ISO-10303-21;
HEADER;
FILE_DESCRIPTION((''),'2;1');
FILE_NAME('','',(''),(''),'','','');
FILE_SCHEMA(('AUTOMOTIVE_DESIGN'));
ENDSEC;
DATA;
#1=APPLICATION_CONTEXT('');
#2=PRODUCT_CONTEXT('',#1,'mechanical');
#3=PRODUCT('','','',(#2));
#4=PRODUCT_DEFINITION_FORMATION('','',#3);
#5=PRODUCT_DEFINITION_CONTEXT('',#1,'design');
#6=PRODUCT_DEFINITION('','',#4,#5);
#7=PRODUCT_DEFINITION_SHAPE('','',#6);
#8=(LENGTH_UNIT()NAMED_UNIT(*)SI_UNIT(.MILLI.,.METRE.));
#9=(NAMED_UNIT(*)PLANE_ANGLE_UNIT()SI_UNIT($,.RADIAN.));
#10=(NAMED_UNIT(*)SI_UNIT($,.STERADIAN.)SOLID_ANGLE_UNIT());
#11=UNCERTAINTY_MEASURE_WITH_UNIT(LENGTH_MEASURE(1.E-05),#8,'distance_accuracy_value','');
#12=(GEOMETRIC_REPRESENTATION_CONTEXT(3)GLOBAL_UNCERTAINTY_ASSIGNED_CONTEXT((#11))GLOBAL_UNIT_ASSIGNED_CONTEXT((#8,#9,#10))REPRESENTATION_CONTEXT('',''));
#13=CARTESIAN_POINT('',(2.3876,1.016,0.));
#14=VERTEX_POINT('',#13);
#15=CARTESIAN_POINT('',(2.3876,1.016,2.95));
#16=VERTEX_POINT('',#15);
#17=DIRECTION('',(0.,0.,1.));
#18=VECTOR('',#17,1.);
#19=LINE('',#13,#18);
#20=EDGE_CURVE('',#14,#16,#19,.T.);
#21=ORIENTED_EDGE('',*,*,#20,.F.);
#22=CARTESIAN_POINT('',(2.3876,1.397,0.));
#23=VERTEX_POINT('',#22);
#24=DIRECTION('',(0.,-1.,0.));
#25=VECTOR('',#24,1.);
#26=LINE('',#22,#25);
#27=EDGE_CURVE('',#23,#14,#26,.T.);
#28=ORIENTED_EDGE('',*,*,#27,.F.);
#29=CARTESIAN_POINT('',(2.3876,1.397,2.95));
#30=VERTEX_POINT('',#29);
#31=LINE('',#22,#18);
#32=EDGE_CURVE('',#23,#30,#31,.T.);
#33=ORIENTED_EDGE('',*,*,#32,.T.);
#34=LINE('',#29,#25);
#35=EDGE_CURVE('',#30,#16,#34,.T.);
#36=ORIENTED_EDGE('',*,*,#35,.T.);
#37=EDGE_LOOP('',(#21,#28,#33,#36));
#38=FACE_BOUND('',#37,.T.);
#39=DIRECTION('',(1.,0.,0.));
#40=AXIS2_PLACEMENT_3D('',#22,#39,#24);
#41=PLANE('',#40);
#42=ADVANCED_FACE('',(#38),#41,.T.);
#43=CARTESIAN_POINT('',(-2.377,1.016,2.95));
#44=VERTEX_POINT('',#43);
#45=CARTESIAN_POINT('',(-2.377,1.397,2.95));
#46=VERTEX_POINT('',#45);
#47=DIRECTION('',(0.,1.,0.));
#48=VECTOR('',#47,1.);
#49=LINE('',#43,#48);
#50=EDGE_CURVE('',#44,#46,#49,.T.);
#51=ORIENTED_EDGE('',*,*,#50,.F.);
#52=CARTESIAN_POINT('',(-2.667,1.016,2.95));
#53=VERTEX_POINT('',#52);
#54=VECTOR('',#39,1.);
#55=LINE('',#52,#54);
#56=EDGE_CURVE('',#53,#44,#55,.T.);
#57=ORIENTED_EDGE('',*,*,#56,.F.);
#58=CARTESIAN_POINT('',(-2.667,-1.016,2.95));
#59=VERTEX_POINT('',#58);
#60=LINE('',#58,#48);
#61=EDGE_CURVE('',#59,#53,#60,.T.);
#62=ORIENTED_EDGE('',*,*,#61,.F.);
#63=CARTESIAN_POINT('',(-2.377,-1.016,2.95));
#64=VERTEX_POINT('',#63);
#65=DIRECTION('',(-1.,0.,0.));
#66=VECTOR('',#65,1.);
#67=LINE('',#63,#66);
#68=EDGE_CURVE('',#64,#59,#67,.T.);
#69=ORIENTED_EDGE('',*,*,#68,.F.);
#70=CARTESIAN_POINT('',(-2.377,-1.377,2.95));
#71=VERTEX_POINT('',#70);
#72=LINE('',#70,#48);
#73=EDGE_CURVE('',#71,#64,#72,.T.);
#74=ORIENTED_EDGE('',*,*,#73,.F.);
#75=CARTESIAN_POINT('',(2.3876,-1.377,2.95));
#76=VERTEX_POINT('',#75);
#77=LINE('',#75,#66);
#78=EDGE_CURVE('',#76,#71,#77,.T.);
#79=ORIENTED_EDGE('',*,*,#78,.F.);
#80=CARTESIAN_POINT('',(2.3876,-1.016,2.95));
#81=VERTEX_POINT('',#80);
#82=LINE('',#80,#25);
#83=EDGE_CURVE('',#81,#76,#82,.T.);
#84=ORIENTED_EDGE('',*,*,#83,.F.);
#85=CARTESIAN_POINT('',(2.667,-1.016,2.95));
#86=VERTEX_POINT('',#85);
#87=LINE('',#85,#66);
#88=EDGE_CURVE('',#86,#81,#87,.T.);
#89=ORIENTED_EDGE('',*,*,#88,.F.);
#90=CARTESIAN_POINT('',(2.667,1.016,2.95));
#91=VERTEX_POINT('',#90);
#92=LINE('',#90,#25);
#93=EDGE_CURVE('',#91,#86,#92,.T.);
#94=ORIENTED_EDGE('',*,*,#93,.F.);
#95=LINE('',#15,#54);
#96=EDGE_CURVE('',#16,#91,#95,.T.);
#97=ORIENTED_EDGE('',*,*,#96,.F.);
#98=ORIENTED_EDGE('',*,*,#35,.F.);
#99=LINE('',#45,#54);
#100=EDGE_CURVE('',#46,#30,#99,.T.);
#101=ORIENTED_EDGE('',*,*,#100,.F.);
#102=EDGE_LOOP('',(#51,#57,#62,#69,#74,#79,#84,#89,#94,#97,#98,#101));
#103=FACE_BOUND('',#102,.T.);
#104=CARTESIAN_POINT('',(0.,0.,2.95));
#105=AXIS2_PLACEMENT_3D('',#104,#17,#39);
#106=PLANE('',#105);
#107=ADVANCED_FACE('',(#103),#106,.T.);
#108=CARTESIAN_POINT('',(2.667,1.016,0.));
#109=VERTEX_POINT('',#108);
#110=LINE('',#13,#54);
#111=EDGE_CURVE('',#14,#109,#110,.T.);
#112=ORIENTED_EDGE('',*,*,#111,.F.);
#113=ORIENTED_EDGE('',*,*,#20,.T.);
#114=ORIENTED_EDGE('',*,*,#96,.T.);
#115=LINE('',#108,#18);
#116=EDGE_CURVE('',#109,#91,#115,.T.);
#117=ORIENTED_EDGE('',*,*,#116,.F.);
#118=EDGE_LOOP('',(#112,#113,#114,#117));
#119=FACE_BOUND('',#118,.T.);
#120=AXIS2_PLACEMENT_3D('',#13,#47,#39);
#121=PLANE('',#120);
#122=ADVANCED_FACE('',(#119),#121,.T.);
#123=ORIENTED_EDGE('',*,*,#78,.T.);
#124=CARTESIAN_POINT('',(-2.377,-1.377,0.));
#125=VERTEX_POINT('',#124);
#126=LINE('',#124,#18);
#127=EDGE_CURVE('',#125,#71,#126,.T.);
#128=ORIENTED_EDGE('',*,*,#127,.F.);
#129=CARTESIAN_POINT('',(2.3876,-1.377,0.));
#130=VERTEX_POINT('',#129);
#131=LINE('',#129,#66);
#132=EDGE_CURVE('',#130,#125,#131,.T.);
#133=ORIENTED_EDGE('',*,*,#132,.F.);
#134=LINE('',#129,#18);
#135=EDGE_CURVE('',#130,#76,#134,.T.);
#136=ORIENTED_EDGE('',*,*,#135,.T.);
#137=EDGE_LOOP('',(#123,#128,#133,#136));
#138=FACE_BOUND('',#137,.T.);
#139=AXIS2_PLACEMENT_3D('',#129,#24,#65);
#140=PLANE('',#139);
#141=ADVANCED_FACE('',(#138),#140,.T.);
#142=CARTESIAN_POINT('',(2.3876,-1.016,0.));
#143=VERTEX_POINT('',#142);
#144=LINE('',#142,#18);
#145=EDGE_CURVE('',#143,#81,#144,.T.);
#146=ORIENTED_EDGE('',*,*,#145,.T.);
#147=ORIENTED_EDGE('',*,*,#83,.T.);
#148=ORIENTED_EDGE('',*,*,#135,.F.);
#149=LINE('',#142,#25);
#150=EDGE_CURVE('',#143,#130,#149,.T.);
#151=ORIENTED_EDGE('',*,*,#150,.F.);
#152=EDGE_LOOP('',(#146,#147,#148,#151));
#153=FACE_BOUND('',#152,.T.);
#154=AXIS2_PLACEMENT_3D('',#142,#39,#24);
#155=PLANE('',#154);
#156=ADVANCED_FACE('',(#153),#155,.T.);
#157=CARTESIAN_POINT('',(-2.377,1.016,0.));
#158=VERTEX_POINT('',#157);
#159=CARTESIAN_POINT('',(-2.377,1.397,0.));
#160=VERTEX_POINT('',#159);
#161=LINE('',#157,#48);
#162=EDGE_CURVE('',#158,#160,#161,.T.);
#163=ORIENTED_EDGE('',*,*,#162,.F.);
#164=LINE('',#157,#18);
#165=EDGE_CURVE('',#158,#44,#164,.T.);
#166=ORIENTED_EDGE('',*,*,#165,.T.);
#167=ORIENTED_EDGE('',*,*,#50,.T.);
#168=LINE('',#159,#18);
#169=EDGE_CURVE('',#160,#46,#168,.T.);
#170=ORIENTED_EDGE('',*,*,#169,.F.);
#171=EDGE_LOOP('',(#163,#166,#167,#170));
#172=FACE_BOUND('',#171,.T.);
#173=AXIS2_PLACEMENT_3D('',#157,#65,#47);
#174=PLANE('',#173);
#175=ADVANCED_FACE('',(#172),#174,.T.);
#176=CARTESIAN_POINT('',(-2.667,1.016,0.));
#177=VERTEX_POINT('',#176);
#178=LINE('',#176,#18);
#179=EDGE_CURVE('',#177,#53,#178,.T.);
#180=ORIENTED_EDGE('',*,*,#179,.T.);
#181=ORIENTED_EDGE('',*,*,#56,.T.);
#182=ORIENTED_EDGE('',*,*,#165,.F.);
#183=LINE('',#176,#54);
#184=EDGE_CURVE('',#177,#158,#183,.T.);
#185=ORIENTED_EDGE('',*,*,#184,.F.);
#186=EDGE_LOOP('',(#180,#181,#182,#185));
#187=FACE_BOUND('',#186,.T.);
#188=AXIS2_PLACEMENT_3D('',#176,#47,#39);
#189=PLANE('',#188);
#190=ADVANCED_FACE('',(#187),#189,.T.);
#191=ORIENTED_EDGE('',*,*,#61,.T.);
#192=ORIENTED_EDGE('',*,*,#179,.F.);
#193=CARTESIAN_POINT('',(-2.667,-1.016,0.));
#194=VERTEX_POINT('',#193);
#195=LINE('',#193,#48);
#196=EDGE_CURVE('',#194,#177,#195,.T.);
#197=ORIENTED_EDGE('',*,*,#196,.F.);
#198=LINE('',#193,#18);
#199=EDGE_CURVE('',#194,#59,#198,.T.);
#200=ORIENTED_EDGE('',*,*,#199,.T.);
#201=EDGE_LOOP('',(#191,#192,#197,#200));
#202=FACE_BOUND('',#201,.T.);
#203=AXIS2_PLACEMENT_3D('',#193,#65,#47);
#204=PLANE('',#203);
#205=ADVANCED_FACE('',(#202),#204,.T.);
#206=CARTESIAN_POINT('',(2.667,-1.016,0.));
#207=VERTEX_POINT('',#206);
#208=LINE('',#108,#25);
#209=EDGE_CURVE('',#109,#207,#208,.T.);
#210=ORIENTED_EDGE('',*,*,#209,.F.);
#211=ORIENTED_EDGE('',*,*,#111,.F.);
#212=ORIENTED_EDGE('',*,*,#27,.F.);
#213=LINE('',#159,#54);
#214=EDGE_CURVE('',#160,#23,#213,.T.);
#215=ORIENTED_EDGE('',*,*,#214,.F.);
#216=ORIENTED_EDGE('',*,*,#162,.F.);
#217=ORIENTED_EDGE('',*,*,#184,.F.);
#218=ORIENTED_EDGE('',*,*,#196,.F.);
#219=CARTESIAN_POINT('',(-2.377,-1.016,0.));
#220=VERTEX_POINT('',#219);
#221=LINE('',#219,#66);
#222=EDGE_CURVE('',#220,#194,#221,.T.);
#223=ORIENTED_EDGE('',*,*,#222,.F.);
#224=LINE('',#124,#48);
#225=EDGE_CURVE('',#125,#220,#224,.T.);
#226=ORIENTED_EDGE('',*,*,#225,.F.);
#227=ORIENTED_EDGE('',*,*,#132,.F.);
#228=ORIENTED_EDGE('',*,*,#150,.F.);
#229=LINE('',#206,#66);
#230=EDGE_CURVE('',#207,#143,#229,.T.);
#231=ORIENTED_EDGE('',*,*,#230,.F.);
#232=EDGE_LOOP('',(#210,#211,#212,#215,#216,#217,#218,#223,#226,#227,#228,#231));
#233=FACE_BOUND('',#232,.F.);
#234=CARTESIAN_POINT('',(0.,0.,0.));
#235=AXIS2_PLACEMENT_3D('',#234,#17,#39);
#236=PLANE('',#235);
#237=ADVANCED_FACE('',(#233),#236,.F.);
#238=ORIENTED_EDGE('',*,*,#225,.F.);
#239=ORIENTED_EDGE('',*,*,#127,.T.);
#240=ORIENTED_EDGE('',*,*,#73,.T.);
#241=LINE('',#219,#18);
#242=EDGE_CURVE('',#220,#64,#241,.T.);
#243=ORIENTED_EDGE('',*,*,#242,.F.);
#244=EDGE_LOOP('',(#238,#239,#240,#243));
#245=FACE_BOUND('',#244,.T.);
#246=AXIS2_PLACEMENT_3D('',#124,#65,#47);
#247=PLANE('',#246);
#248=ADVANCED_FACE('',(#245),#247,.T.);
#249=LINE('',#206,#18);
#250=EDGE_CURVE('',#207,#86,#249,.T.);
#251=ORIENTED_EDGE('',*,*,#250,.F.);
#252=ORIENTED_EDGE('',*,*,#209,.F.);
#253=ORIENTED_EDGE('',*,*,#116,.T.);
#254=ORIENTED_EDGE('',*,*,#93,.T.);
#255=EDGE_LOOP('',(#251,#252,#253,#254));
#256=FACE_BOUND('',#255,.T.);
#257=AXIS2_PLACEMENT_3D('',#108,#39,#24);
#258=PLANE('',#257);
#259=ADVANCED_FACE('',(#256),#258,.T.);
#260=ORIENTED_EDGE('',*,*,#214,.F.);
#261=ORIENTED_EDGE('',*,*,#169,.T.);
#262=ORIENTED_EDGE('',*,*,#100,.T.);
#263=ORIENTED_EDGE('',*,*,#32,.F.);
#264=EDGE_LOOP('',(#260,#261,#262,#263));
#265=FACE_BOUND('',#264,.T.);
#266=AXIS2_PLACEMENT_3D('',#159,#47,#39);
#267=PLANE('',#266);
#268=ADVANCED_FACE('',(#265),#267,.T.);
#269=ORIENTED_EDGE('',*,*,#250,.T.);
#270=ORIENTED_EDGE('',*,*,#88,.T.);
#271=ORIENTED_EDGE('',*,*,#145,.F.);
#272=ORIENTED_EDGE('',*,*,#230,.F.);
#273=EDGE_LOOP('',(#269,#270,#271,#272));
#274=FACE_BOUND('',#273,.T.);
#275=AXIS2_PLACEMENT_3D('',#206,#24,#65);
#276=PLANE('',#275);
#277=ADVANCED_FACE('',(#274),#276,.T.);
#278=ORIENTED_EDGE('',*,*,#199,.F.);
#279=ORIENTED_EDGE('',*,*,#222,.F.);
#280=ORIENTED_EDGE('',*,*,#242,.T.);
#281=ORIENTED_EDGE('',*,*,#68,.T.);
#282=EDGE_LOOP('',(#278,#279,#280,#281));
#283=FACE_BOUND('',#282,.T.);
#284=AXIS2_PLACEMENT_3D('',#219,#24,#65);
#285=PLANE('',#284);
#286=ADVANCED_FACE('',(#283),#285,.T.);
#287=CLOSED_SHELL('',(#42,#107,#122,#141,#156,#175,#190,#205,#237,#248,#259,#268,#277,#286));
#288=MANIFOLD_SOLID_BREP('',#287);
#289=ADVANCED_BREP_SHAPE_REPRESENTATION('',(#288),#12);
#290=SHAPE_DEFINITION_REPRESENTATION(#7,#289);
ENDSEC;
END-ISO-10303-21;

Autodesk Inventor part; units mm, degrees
ref_plane "YZ Plane" through (0, 0, 0) normal (1, 0, 0) x (0, 1, 0)
ref_plane "XZ Plane" through (0, 0, 0) normal (0, 1, 0) x (-1, 0, 0)
ref_plane "XY Plane" through (0, 0, 0) normal (0, 0, 1) x (1, 0, 0)
sketch "SMA-SM, SMAJ30A_123" plane through (0, 0, 0) normal (0, 0, 1) x (1, 0, 0)
  line L0 (-2.377, 1.016) -> (-2.377, 1.397)
  line L1 (-2.377, 1.397) -> (2.3876, 1.397)
  line L2 (2.3876, 1.397) -> (2.3876, 1.016)
  line L3 (2.3876, 1.016) -> (2.667, 1.016)
  line L4 (2.667, 1.016) -> (2.667, -1.016)
  line L5 (2.667, -1.016) -> (2.3876, -1.016)
  line L6 (2.3876, -1.016) -> (2.3876, -1.377)
  line L7 (2.3876, -1.377) -> (-2.377, -1.377)
  line L8 (-2.377, -1.377) -> (-2.377, -1.016)
  line L9 (-2.377, -1.016) -> (-2.667, -1.016)
  line L10 (-2.667, -1.016) -> (-2.667, 1.016)
  line L11 (-2.667, 1.016) -> (-2.377, 1.016)
extrude "Extrusion1" add sketch "SMA-SM, SMAJ30A_123" along normal blind 2.95
properties part number "SMAJ30A"
